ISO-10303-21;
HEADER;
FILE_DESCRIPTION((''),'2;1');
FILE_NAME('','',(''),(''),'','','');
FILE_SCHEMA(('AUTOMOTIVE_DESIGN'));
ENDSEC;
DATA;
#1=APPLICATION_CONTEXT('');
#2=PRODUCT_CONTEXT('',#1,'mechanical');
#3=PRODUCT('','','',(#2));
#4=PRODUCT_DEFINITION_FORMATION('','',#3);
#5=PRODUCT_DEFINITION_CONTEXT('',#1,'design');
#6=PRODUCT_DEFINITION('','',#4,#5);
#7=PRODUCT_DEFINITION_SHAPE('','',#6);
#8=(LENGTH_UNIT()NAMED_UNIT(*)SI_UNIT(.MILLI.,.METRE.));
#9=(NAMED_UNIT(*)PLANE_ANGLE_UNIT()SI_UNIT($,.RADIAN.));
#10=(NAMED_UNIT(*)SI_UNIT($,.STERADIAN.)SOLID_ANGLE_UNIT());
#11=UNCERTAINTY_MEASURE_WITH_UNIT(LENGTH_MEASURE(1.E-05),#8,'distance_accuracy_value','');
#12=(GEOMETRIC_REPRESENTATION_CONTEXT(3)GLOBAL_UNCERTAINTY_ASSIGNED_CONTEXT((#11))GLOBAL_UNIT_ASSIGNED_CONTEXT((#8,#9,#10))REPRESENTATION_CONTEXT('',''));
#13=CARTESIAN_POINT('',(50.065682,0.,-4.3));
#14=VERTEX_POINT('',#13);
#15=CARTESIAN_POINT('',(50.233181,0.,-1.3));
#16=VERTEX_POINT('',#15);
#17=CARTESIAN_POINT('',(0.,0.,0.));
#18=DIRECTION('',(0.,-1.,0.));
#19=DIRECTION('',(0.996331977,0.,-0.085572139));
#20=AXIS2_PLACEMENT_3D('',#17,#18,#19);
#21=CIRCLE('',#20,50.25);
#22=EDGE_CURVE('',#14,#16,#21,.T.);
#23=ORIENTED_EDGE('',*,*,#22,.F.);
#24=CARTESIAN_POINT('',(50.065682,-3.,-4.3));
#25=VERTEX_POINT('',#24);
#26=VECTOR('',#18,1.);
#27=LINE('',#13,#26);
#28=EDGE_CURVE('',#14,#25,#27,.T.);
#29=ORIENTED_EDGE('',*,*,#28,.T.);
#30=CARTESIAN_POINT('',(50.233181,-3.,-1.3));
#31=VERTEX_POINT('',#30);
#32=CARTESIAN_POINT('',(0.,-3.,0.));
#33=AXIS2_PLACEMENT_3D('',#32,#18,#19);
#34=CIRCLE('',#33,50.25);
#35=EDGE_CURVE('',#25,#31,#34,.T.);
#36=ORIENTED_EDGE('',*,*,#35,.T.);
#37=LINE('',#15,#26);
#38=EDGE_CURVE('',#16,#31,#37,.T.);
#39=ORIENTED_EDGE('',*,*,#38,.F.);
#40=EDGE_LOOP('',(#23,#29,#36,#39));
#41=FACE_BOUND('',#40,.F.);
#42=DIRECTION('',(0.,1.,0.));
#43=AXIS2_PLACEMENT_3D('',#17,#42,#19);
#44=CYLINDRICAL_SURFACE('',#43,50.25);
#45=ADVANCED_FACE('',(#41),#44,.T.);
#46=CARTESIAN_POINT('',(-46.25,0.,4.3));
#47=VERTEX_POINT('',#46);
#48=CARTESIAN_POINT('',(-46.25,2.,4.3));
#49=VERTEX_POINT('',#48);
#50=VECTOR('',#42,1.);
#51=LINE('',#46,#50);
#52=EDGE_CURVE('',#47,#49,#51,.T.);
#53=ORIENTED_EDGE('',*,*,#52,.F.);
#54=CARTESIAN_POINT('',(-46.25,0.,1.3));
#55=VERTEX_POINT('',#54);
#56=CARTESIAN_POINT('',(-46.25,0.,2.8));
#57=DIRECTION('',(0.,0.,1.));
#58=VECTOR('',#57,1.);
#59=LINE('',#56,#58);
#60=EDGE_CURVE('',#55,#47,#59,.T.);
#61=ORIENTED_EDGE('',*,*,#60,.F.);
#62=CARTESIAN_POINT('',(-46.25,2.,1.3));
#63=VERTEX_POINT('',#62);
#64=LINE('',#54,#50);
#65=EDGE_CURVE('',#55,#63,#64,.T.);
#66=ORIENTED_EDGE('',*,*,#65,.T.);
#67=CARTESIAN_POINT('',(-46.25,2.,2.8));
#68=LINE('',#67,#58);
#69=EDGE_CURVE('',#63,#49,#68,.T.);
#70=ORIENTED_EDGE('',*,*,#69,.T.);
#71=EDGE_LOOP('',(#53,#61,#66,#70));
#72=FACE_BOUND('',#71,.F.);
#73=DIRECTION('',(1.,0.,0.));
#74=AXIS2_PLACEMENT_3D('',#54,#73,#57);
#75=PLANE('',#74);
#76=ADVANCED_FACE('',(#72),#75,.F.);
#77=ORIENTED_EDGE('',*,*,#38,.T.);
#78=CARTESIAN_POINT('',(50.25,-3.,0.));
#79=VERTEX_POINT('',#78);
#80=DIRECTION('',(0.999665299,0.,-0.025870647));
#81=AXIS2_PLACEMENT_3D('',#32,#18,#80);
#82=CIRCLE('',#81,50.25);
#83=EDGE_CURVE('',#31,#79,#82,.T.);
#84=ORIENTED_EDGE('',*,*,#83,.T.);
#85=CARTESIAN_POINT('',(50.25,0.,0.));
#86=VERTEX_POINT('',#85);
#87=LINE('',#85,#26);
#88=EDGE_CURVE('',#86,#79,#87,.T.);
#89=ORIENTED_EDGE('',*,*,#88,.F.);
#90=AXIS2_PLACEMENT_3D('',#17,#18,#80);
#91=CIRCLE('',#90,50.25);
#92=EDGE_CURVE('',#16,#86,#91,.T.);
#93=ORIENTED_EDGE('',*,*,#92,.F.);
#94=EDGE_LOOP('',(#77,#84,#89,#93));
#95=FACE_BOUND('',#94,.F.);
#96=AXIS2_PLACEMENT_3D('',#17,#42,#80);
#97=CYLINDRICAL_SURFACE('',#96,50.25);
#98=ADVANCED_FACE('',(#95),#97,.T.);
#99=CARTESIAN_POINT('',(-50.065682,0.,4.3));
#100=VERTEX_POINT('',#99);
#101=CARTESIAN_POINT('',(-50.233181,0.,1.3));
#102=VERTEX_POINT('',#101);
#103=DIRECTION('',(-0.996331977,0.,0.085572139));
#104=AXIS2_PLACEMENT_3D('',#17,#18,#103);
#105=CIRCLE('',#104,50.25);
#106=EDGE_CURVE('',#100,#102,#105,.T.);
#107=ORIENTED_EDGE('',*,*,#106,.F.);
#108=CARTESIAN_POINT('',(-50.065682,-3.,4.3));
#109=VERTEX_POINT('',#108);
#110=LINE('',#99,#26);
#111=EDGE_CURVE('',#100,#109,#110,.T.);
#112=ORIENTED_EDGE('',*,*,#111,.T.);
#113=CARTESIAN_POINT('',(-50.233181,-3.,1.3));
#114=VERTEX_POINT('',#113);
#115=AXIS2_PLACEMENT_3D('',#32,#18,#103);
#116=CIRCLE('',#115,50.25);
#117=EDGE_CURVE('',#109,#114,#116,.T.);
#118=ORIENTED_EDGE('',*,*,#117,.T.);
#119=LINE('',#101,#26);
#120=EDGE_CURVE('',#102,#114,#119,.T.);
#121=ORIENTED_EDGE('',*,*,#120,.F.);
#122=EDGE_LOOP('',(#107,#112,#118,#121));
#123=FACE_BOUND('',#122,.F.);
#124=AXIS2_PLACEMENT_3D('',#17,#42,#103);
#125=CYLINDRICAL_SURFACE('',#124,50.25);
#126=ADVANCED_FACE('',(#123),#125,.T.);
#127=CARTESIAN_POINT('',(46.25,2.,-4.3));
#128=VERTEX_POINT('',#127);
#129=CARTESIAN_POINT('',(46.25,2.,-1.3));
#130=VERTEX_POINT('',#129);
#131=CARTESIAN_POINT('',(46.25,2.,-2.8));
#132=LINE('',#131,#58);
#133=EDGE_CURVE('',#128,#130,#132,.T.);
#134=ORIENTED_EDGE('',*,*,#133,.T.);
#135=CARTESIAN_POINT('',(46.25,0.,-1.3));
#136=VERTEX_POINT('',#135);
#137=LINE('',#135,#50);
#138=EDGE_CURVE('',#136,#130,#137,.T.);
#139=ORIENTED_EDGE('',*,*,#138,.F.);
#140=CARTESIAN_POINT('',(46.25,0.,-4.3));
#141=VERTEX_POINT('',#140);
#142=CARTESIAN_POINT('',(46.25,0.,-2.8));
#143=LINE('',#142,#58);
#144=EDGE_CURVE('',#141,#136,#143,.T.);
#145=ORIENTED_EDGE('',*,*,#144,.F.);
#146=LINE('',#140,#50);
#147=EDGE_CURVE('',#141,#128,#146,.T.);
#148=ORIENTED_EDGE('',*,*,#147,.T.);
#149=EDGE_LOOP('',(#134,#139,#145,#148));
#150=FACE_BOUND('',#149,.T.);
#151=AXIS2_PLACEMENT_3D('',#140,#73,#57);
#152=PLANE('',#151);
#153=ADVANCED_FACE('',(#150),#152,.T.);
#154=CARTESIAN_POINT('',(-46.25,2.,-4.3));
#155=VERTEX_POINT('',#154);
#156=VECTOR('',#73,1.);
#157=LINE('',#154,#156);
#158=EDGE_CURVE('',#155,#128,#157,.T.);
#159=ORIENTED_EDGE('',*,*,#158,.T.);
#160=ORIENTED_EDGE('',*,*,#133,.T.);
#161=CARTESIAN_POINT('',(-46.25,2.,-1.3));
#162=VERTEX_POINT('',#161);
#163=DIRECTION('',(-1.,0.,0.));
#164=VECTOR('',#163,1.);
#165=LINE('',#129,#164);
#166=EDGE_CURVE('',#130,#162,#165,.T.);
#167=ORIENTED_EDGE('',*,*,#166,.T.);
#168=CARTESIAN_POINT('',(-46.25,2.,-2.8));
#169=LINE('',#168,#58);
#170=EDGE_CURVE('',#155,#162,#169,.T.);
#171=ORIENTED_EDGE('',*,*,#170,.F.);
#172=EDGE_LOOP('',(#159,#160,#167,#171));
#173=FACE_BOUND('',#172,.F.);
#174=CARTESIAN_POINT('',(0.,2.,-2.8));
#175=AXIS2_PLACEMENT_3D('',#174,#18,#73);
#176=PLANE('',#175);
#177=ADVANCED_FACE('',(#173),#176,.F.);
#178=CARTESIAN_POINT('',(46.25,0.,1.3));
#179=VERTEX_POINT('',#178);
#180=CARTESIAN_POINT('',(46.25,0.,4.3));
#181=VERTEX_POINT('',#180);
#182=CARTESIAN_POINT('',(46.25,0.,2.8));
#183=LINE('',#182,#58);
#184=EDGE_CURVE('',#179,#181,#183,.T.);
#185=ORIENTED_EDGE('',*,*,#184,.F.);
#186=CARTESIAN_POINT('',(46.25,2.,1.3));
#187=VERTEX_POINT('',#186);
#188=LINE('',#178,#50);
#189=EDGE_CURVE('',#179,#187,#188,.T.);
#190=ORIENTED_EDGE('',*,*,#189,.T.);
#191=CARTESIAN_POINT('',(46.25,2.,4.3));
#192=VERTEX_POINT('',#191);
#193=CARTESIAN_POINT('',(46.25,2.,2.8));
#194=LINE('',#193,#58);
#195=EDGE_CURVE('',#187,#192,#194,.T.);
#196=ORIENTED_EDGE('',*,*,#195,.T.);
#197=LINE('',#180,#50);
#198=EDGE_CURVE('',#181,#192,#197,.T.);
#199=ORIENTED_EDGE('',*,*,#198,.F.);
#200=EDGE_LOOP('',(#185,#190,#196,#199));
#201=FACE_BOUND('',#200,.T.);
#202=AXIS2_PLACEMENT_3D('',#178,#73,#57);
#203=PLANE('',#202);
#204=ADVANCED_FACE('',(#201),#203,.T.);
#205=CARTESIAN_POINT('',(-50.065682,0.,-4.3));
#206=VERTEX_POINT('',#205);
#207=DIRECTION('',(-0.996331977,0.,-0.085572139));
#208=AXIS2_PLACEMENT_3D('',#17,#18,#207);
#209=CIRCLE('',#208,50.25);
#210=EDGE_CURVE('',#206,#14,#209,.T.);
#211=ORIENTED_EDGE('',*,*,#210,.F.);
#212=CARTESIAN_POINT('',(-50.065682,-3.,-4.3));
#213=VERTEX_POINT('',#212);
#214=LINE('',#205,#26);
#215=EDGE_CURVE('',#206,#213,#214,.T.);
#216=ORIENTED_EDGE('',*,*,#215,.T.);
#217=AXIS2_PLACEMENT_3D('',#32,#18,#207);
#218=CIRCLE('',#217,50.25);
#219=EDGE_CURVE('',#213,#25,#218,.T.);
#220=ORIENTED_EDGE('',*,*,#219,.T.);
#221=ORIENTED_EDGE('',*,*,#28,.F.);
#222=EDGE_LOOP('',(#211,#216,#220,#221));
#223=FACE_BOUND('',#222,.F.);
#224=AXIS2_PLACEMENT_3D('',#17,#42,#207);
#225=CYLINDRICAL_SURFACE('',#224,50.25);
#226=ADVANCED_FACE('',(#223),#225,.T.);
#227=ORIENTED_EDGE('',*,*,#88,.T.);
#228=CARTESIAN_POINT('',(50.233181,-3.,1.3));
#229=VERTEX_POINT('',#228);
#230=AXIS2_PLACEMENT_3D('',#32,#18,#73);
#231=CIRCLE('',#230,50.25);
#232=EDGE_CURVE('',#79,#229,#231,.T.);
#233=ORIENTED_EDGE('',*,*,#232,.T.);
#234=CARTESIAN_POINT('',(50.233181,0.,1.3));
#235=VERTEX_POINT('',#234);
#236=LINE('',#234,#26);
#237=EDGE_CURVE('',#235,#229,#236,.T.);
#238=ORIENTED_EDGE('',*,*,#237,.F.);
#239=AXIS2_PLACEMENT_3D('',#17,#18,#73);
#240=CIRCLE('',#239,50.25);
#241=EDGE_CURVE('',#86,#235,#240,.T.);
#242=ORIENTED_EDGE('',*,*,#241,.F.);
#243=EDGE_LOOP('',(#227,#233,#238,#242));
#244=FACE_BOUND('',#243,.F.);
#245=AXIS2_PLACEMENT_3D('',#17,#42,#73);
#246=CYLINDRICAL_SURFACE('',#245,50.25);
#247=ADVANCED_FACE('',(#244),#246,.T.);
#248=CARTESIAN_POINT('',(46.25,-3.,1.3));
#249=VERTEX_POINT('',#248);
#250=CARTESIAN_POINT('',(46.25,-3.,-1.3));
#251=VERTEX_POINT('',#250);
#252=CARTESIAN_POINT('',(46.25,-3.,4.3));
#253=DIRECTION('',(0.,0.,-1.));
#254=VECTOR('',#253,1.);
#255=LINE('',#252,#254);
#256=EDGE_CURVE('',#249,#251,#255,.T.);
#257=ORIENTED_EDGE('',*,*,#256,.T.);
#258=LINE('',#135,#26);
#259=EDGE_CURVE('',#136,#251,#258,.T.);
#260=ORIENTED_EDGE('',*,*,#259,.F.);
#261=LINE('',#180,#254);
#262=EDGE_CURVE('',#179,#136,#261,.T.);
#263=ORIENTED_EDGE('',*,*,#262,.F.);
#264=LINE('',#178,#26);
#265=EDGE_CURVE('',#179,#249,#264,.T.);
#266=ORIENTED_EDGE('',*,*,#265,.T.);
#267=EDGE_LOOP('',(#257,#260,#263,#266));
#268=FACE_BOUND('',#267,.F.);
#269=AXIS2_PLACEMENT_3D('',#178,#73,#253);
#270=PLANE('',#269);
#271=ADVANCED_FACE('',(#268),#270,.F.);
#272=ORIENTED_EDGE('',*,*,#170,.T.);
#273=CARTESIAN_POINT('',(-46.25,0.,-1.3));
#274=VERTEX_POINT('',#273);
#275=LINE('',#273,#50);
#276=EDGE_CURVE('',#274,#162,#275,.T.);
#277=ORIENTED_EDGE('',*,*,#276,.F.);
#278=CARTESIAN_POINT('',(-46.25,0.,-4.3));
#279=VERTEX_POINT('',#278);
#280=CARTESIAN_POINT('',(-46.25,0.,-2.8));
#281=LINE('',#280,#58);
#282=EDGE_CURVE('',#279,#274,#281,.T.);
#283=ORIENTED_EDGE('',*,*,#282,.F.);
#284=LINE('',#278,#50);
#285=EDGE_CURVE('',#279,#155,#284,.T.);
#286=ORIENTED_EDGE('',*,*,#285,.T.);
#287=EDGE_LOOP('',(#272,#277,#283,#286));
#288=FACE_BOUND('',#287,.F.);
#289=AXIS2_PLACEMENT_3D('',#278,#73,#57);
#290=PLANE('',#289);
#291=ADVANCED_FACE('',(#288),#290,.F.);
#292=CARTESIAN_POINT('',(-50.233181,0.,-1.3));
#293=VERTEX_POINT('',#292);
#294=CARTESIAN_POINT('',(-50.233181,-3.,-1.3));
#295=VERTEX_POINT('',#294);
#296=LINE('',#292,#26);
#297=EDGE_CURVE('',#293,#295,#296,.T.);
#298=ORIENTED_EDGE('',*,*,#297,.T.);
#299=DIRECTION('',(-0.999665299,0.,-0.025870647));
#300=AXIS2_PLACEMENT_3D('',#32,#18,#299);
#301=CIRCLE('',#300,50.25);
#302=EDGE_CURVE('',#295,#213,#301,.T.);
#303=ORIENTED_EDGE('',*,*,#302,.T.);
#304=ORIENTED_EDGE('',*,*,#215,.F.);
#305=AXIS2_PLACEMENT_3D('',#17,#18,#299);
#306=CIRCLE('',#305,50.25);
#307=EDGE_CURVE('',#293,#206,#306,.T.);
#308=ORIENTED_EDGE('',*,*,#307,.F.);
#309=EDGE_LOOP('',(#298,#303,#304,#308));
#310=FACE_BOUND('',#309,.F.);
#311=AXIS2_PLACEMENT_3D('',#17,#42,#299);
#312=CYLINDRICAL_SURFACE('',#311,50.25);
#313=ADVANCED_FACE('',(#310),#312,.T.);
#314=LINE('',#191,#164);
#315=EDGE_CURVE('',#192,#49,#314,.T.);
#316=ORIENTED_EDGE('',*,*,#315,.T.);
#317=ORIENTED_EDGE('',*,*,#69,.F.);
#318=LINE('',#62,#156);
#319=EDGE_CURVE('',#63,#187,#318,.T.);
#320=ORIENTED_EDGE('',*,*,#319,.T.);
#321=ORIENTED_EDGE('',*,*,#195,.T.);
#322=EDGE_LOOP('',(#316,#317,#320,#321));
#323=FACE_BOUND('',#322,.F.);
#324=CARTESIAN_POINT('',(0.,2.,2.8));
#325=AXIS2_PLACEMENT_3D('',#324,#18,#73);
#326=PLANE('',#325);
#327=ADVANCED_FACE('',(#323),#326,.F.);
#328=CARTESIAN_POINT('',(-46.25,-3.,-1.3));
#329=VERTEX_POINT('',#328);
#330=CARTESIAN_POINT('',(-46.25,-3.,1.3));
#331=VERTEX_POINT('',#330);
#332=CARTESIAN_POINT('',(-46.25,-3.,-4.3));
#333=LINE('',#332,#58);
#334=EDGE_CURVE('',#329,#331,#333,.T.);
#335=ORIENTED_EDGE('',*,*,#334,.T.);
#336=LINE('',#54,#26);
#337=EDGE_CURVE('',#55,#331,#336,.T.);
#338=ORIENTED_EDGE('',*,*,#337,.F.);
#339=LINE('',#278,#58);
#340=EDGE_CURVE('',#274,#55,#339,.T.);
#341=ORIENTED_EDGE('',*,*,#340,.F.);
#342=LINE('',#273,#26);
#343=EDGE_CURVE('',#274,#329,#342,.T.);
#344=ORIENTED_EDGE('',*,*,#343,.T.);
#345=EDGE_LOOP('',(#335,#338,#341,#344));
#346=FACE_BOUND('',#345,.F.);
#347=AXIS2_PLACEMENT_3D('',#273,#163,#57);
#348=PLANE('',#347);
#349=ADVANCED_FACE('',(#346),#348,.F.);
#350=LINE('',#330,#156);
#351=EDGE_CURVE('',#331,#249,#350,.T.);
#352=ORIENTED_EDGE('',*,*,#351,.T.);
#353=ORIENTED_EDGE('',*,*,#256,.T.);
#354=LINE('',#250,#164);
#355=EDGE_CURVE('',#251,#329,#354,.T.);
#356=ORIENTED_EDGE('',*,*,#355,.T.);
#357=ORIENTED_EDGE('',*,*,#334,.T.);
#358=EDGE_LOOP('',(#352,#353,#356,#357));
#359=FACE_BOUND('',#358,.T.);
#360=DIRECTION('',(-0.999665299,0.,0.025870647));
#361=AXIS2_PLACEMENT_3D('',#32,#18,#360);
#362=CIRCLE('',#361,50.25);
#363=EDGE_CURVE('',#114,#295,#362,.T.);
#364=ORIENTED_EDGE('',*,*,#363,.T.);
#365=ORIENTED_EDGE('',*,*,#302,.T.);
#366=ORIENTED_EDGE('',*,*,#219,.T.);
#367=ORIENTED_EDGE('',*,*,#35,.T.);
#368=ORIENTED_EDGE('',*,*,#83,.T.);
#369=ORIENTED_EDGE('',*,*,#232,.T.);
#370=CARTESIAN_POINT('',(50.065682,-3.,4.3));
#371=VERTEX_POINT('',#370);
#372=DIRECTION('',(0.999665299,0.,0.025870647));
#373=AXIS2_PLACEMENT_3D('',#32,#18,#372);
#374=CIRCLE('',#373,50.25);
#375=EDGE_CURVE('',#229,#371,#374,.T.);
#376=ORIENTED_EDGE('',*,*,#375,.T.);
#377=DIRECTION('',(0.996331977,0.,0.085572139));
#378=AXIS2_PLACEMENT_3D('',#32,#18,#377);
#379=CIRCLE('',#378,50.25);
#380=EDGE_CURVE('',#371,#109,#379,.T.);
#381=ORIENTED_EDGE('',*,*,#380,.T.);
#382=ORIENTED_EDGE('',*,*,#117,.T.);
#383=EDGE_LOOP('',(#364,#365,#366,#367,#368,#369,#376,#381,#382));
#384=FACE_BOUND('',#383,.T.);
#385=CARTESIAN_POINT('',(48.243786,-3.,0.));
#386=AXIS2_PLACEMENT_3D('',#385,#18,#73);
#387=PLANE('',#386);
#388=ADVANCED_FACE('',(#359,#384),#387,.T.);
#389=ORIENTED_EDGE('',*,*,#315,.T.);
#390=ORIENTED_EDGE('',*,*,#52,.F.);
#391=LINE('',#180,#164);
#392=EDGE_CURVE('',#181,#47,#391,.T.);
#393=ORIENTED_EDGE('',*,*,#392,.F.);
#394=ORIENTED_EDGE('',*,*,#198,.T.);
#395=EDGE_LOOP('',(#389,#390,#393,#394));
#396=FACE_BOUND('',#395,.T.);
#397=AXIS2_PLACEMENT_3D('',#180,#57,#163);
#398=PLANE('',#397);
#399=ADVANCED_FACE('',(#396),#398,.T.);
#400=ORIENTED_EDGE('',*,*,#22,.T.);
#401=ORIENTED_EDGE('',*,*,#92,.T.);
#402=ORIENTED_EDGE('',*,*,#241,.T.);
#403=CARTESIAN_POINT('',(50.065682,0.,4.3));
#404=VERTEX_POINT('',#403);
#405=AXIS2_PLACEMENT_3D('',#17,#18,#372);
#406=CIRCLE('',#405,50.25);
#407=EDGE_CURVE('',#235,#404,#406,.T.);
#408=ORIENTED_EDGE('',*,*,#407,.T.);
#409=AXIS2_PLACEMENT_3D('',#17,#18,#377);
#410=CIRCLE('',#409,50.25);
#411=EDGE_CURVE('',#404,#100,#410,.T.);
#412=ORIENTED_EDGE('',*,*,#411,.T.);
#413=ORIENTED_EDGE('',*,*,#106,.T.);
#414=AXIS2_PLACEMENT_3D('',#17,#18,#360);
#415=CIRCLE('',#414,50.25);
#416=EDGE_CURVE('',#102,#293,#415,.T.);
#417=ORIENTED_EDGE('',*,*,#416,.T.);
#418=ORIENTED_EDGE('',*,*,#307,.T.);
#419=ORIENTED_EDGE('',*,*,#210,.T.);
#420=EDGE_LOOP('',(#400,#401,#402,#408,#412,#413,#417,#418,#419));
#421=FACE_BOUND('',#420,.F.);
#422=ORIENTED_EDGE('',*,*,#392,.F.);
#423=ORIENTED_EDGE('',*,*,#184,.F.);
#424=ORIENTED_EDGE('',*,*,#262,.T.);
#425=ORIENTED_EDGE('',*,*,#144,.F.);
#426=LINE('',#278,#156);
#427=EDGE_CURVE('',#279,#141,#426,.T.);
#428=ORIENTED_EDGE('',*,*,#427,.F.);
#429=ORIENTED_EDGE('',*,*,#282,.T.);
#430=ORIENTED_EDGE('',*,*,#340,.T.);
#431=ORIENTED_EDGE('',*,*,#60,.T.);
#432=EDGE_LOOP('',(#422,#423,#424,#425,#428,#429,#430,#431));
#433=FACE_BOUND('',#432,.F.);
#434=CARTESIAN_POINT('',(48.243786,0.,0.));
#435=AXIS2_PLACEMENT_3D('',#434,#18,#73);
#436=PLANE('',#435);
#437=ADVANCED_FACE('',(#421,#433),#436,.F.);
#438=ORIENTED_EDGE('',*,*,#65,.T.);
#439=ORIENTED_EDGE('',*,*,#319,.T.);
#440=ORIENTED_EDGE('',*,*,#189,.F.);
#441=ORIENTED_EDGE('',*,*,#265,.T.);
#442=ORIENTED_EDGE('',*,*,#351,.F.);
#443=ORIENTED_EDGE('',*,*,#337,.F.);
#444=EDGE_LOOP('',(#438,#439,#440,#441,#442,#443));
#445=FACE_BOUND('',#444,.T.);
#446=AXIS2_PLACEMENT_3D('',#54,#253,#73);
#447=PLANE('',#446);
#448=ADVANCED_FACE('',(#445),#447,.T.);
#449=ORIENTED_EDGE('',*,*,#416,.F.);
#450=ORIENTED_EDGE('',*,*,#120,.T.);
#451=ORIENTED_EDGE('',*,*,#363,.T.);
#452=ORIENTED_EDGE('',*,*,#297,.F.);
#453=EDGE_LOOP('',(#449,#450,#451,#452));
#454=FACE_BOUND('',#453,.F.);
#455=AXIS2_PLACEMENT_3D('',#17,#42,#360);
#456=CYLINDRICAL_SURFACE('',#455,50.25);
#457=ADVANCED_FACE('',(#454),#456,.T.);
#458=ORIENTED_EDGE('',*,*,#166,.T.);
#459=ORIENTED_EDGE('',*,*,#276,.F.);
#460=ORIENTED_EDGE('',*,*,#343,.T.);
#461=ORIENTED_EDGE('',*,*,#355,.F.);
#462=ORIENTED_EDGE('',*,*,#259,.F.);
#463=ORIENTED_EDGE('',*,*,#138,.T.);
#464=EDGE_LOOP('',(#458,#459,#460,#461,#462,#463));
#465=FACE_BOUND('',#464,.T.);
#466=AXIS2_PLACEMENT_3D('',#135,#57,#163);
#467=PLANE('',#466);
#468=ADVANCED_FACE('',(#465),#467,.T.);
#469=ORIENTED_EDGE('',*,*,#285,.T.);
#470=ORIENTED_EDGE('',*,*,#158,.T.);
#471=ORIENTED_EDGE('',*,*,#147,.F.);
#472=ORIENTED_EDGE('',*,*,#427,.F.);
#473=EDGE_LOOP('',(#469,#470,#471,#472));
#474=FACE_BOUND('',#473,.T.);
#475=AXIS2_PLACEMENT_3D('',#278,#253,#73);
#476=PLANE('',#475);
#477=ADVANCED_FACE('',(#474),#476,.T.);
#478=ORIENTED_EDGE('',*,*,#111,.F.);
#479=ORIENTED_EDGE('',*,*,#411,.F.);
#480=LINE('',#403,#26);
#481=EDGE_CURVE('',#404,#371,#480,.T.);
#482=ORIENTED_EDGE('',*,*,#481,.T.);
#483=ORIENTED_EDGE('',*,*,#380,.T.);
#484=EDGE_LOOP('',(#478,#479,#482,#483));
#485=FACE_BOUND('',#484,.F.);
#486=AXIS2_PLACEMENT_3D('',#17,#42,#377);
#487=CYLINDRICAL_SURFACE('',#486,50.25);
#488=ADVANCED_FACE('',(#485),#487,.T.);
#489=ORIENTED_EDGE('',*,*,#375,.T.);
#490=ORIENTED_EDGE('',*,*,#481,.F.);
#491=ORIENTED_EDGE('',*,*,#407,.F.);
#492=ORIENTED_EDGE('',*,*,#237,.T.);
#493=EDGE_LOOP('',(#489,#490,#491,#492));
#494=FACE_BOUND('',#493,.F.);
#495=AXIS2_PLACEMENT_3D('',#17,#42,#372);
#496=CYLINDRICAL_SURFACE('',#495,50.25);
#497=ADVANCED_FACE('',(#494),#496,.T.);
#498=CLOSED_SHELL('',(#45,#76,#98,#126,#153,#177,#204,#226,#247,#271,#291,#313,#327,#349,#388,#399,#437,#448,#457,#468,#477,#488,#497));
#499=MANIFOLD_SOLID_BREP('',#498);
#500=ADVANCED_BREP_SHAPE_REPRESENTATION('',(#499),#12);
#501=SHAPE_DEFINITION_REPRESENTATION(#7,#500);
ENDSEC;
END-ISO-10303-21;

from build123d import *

# Parameters (mm, degrees)
F0_W     = 50
F0_H     = 3
F0_W_2   = 21.25
F1_DEPTH = 3
F2_DEPTH = 2


with BuildPart() as f1:
    # F0 (on Front) → F1 (new body)
    with BuildSketch(Plane.XZ):
        with BuildLine():
            ThreePointArc((50.233181265, -1.3), (50.2457951403, -0.6500543958), (50.25, 0))
            ThreePointArc((50.25, 0), (50.2457951403, 0.6500543958), (50.233181265, 1.3))
            Line((50.233181265, 1.3), (46.25, 1.3))
            Line((46.25, 1.3), (46.25, -1.3))
            Line((46.25, -1.3), (50.233181265, -1.3))
        make_face()
        with BuildLine():
            Line((46.25, 1.3), (50.233181265, 1.3))
            ThreePointArc((50.233181265, 1.3), (50.171859503, 2.8012522223), (50.0656818589, 4.3))
            Line((50.0656818589, 4.3), (46.25, 4.3))
            Line((46.25, 4.3), (46.25, 1.3))
        make_face()
        with BuildLine():
            ThreePointArc((50.0656818589, -4.3), (50.171859503, -2.8012522223), (50.233181265, -1.3))
            Line((50.233181265, -1.3), (46.25, -1.3))
            Line((46.25, -1.3), (46.25, -4.3))
            Line((46.25, -4.3), (50.0656818589, -4.3))
        make_face()
        with BuildLine():
            Line((46.25, 4.3), (50.0656818589, 4.3))
            ThreePointArc((50.0656818589, 4.3), (0, 50.25), (-50.0656818589, 4.3))
            Line((-50.0656818589, 4.3), (-46.25, 4.3))
            Line((-46.25, 4.3), (-25, 4.3))
            Line((-25, 4.3), (25, 4.3))
            Line((25, 4.3), (46.25, 4.3))
        make_face()
        with BuildLine():
            ThreePointArc((-50.0656818589, -4.3), (0, -50.25), (50.0656818589, -4.3))
            Line((50.0656818589, -4.3), (46.25, -4.3))
            Line((46.25, -4.3), (25, -4.3))
            Line((25, -4.3), (-25, -4.3))
            Line((-25, -4.3), (-46.25, -4.3))
            Line((-46.25, -4.3), (-50.0656818589, -4.3))
        make_face()
        with BuildLine():
            Line((-46.25, 4.3), (-50.0656818589, 4.3))
            ThreePointArc((-50.0656818589, 4.3), (-50.171859503, 2.8012522223), (-50.233181265, 1.3))
            Line((-50.233181265, 1.3), (-46.25, 1.3))
            Line((-46.25, 1.3), (-46.25, 4.3))
        make_face()
        with BuildLine():
            ThreePointArc((-50.233181265, -1.3), (-50.171859503, -2.8012522223), (-50.0656818589, -4.3))
            Line((-50.0656818589, -4.3), (-46.25, -4.3))
            Line((-46.25, -4.3), (-46.25, -1.3))
            Line((-46.25, -1.3), (-50.233181265, -1.3))
        make_face()
        with BuildLine():
            Line((-46.25, 1.3), (-50.233181265, 1.3))
            ThreePointArc((-50.233181265, 1.3), (-50.25, 0), (-50.233181265, -1.3))
            Line((-50.233181265, -1.3), (-46.25, -1.3))
            Line((-46.25, -1.3), (-46.25, 1.3))
        make_face()
        with Locations((0, -2.8)):
            Rectangle(F0_W, F0_H)
        with Locations((0, 2.8)):
            Rectangle(F0_W, F0_H)
        with Locations((-35.625, 2.8)):
            Rectangle(F0_W_2, F0_H)
        with Locations((35.625, 2.8)):
            Rectangle(F0_W_2, F0_H)
        with Locations((35.625, -2.8)):
            Rectangle(F0_W_2, F0_H)
        with Locations((-35.625, -2.8)):
            Rectangle(F0_W_2, F0_H)
    extrude(amount=F1_DEPTH)

    # F0 (on Front) → F2 (join)
    with BuildSketch(Plane.XZ):
        with Locations((0, -2.8)):
            Rectangle(F0_W, F0_H)
        with Locations((0, 2.8)):
            Rectangle(F0_W, F0_H)
        with Locations((35.625, -2.8)):
            Rectangle(F0_W_2, F0_H)
        with Locations((35.625, 2.8)):
            Rectangle(F0_W_2, F0_H)
        with Locations((-35.625, 2.8)):
            Rectangle(F0_W_2, F0_H)
        with Locations((-35.625, -2.8)):
            Rectangle(F0_W_2, F0_H)
    extrude(amount=-F2_DEPTH)


solid = f1.part
